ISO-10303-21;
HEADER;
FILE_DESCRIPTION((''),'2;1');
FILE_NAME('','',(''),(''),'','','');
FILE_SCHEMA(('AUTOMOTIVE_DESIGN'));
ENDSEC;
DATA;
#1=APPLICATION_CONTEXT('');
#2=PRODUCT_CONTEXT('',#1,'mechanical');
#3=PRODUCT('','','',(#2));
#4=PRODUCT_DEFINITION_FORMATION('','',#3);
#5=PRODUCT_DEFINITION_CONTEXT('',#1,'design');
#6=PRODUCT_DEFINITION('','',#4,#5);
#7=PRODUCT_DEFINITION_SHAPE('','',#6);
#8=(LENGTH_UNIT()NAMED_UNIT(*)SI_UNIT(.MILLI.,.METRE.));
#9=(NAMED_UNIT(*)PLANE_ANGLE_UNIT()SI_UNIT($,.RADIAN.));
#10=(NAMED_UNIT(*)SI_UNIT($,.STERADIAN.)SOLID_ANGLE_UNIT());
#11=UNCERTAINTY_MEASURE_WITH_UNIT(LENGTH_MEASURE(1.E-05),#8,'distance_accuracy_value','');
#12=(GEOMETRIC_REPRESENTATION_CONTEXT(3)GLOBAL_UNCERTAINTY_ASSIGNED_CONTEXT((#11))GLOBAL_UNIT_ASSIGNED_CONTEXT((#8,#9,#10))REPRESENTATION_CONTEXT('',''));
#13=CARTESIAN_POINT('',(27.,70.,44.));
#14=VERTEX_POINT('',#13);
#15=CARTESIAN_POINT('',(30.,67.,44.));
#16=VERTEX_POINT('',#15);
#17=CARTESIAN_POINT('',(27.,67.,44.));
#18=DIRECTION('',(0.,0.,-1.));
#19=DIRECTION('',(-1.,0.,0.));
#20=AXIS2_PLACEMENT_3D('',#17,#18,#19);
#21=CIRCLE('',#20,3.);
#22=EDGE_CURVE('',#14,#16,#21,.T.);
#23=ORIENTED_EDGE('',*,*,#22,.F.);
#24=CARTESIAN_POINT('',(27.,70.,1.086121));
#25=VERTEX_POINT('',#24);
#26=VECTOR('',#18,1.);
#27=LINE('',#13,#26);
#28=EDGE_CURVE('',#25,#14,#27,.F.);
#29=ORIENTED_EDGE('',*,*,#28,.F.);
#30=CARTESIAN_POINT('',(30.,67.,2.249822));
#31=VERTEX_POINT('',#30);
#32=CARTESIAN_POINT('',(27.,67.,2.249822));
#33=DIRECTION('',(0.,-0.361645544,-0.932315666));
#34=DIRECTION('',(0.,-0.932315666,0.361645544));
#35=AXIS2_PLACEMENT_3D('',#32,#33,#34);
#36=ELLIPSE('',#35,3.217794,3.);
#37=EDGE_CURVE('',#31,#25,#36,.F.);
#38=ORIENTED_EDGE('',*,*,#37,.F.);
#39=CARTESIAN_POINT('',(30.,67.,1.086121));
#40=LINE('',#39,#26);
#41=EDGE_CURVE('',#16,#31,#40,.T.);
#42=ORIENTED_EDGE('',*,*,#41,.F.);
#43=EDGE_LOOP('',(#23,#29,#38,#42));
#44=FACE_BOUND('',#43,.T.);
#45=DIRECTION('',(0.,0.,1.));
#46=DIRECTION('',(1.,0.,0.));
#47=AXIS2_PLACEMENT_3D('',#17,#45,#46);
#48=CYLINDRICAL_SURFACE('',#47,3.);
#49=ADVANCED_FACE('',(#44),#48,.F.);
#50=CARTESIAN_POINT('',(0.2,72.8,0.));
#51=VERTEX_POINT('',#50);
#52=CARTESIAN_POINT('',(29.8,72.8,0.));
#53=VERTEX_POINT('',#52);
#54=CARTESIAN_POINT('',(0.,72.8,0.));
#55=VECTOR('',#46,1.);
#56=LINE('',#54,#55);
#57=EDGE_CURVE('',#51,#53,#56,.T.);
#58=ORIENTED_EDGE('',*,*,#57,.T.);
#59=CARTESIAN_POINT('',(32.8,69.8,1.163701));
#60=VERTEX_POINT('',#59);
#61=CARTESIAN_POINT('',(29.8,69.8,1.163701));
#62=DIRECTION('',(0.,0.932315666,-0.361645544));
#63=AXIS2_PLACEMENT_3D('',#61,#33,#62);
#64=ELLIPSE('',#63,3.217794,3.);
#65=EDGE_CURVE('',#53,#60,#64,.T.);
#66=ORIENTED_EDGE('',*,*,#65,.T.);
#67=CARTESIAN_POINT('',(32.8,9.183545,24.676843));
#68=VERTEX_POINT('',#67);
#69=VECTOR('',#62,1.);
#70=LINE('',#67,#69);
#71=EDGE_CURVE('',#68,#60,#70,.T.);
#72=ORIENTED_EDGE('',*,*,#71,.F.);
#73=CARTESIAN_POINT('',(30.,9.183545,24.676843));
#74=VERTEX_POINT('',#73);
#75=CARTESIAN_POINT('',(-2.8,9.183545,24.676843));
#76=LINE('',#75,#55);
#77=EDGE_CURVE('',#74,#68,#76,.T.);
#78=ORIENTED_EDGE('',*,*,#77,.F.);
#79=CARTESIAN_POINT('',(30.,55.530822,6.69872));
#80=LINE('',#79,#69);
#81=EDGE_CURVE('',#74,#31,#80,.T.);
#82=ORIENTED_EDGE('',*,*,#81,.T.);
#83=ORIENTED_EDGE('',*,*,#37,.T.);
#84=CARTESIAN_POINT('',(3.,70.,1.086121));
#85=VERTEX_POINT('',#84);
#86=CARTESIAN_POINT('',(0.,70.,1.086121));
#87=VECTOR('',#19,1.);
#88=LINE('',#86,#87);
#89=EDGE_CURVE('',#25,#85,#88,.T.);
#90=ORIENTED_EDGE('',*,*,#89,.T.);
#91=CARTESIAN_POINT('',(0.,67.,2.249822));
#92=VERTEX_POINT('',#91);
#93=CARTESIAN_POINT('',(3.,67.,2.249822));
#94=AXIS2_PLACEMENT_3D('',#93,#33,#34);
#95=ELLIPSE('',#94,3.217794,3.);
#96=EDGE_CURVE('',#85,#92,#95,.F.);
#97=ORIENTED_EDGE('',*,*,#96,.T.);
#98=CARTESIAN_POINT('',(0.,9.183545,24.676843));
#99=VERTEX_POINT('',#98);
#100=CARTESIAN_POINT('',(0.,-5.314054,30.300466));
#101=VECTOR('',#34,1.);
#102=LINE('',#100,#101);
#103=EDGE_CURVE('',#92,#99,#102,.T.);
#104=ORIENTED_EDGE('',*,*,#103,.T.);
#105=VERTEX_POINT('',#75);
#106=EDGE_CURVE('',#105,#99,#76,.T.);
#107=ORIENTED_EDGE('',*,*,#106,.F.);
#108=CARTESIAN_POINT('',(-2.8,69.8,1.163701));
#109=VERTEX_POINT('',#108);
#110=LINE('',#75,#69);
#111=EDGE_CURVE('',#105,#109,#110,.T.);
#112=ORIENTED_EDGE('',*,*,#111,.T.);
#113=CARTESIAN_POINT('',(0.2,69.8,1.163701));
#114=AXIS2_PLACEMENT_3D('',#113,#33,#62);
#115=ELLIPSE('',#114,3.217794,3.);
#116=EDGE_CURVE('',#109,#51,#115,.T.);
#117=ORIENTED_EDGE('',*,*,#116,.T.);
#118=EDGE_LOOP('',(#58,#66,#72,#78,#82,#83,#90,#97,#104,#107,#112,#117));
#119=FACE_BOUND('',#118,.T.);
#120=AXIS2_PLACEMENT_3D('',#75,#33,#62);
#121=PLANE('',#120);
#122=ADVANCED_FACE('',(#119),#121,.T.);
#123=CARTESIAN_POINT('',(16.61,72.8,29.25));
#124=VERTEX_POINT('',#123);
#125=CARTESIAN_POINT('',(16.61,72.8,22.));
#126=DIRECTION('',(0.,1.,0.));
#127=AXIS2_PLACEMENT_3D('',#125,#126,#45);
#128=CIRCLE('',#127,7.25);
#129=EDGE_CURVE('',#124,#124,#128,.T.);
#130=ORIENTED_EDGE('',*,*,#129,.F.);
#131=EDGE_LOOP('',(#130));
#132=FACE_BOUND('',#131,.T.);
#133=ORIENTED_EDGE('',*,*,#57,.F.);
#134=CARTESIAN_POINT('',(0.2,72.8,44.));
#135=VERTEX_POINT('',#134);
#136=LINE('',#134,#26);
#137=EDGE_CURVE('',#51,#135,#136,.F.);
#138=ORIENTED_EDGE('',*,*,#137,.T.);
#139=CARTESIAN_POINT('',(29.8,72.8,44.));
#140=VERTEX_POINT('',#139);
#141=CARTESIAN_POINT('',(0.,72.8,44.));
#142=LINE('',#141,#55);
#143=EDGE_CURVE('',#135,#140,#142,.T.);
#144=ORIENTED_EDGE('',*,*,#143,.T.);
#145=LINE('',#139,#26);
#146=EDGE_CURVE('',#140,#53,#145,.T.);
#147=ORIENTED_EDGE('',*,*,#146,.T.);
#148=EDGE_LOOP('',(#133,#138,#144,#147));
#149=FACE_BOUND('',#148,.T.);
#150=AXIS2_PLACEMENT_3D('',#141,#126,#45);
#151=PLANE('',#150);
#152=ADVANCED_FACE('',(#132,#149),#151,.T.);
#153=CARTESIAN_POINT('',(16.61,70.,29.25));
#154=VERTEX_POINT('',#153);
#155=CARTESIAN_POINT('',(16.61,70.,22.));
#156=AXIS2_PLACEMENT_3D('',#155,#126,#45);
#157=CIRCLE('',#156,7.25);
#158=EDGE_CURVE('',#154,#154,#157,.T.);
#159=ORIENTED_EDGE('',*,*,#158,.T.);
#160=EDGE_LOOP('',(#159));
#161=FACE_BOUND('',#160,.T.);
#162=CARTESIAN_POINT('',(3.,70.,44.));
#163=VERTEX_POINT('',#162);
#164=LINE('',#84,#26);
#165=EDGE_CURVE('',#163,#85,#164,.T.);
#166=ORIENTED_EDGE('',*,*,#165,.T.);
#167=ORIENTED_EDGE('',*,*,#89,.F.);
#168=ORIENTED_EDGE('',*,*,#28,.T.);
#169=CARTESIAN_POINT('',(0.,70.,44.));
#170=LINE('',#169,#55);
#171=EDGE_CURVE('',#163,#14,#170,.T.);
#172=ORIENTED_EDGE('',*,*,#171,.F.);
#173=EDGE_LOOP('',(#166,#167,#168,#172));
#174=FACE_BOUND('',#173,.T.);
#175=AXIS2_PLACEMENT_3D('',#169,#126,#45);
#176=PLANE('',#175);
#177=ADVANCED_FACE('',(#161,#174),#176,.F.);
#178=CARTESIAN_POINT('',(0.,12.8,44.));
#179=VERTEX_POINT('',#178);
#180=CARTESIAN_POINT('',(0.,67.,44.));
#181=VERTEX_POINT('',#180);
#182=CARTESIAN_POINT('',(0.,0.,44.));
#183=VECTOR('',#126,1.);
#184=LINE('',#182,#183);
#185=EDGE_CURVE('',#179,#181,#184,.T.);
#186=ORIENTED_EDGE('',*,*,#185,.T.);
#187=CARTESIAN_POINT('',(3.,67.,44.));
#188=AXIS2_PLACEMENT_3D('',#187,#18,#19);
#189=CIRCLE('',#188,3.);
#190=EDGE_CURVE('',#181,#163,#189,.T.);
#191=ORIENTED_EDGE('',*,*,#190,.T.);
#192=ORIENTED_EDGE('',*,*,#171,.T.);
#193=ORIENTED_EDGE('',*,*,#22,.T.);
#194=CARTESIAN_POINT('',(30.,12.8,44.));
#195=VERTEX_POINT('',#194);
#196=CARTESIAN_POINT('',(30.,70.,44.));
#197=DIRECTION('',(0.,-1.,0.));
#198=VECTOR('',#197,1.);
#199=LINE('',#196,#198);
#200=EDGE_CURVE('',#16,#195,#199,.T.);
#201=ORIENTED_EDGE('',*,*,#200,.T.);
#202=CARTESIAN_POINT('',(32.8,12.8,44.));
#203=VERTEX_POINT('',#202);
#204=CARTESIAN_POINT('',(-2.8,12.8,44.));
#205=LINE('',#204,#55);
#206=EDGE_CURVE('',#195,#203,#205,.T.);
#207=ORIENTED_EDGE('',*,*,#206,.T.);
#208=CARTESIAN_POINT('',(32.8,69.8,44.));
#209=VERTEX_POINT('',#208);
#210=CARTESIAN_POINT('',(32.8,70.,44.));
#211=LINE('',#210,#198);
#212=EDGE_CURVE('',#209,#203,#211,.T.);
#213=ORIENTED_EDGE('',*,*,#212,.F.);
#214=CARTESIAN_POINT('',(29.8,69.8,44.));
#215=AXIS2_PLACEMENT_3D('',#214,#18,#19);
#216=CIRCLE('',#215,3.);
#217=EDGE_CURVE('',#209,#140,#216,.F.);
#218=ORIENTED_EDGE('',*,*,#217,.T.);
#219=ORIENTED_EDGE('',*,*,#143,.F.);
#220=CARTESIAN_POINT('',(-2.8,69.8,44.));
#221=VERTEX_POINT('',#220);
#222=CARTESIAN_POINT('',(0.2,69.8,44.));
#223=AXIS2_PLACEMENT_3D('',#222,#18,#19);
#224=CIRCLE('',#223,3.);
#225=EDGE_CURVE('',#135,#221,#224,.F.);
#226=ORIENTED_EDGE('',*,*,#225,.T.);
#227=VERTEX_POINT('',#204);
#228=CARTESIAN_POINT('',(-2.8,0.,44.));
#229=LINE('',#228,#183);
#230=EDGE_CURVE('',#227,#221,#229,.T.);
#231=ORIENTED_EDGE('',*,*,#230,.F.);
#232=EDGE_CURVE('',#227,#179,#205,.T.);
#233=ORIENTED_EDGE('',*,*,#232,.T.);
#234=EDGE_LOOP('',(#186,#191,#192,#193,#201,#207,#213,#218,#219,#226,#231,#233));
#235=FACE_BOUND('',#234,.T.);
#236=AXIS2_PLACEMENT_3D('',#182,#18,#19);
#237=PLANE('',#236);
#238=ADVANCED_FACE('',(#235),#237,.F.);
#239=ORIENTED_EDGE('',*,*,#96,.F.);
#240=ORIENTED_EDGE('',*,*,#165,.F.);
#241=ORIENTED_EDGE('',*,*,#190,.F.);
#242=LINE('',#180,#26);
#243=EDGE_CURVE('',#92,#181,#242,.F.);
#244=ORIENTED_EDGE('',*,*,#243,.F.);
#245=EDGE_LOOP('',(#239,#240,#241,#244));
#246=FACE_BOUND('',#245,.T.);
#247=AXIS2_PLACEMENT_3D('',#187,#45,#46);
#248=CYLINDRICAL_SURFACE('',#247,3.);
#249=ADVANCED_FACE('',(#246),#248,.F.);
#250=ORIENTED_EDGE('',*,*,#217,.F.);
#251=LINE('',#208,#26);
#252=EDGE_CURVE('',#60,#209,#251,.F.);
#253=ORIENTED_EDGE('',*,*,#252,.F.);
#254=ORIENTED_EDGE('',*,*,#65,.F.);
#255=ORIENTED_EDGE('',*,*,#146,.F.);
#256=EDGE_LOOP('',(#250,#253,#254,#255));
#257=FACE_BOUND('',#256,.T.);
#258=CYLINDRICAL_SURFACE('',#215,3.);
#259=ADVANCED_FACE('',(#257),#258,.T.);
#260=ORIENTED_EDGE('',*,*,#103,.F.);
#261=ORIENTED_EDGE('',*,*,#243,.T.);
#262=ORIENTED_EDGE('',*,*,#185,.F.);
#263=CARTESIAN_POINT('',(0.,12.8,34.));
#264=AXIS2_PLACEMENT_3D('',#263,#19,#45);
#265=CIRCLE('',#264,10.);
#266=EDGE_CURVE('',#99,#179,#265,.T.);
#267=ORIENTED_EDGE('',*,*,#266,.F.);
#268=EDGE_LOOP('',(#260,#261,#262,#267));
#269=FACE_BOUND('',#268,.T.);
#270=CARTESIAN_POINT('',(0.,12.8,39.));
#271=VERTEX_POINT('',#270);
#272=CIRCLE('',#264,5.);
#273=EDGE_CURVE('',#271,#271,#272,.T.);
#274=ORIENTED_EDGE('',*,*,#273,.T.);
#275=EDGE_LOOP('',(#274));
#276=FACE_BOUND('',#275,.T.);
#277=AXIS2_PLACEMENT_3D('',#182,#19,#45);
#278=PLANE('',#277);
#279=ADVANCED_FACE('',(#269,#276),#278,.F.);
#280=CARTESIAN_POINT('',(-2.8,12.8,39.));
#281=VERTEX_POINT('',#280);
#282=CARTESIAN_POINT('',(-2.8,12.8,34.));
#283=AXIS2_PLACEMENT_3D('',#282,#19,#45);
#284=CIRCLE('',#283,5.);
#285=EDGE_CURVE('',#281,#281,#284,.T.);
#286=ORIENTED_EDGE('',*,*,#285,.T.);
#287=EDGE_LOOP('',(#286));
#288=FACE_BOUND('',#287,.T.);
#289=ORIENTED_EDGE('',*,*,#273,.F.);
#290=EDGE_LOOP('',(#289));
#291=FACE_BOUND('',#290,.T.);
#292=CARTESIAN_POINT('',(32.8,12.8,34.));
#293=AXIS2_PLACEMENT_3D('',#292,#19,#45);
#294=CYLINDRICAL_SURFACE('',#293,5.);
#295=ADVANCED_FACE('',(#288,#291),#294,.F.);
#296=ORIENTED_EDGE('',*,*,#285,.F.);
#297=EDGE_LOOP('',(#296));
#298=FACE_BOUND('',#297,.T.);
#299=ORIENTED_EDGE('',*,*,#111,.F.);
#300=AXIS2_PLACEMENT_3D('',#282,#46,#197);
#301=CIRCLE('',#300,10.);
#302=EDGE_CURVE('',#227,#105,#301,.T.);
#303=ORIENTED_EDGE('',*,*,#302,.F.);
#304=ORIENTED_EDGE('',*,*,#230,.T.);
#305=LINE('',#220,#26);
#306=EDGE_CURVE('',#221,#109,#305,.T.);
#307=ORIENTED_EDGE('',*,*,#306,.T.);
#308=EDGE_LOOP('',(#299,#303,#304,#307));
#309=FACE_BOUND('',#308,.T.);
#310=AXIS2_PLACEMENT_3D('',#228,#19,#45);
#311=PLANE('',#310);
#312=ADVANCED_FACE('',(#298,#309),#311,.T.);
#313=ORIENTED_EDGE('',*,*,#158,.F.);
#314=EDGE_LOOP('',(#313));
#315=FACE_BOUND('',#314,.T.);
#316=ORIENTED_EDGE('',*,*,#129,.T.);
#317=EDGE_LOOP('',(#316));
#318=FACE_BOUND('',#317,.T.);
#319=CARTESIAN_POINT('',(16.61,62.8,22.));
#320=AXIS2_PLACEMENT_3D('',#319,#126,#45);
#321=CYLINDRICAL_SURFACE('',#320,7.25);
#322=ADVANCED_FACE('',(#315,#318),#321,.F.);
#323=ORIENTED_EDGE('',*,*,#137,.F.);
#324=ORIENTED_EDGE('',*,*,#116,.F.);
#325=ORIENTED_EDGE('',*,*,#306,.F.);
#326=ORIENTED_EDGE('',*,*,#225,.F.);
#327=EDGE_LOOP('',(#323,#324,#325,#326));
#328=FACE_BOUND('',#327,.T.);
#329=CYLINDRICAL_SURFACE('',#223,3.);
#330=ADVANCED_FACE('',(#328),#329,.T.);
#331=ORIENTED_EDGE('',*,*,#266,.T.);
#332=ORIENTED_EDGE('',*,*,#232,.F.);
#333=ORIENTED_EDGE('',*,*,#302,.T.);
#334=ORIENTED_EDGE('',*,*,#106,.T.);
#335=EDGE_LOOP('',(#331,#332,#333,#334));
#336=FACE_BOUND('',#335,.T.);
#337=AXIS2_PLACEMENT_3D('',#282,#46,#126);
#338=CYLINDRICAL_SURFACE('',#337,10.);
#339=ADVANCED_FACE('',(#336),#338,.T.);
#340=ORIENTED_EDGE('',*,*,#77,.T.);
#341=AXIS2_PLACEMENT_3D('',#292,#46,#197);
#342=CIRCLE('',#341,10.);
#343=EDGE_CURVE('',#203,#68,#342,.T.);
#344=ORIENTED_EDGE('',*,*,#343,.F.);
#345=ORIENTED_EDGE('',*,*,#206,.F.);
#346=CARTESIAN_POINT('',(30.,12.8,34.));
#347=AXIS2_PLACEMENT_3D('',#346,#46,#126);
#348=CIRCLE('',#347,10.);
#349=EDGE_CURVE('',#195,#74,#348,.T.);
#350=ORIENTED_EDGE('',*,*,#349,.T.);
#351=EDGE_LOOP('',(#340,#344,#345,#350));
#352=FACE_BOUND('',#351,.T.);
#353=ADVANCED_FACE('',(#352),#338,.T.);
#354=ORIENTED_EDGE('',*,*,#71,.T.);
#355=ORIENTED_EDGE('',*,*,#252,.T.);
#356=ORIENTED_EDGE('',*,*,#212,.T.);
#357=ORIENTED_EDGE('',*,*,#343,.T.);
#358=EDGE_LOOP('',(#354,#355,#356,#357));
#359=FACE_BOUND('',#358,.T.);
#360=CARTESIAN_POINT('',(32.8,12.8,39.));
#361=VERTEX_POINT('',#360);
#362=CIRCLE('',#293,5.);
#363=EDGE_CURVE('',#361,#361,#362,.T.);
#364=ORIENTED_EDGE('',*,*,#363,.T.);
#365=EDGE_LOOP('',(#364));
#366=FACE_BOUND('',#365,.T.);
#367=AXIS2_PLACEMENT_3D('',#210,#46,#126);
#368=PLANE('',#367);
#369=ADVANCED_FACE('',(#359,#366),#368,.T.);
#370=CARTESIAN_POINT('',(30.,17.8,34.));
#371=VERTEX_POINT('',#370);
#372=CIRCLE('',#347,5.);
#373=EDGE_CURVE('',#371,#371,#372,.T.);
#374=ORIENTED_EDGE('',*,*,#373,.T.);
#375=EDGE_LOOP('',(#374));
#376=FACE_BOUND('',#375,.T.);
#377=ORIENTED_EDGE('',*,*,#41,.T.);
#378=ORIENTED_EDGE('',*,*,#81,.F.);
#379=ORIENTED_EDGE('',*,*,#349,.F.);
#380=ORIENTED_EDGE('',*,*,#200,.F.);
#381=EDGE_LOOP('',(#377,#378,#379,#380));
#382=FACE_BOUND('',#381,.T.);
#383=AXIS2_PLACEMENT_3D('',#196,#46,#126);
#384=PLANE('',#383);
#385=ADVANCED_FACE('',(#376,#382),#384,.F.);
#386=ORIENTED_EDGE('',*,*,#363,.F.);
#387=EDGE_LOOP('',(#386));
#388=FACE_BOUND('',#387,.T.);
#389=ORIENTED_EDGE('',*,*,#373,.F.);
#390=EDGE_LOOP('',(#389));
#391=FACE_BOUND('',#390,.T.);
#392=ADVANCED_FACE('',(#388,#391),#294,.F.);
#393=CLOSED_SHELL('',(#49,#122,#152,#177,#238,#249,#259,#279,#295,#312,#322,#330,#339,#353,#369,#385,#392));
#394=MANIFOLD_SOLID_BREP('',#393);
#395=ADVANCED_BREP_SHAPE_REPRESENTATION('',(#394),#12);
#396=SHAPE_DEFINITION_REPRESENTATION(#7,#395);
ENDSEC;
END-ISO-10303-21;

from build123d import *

# Parameters (mm, degrees)
EXTRUDE_THIN1_DEPTH = 44
SKETCH3_OUTSIDE_W   = 64.442
SKETCH3_OUTSIDE_H   = 93.242
CUT_EXTRUDE1_DEPTH  = 93.212797377
SKETCH4_R           = 5
CUT_EXTRUDE2_DEPTH  = 93.212797377
SKETCH5_R           = 7.25
CUT_EXTRUDE3_DEPTH  = 10
FILLET3_R           = 3


with BuildPart() as part:
    # Sketch1 → Extrude-Thin1 (new body)
    with BuildSketch(Plane.XY):
        Polygon((0, 0), (0, 70), (30, 70), (30, 0), (32.8, 0), (32.8, 72.8), (-2.8, 72.8), (-2.8, 0), align=None)
    extrude(amount=EXTRUDE_THIN1_DEPTH)

    # Sketch3 outside → Cut-Extrude1 (cut, through all)
    with BuildSketch(Plane(origin=(32.8, 0, 0), x_dir=(0, 0, -1), z_dir=(1, 0, 0))):
        with Locations((-22, 36.4)):
            Rectangle(SKETCH3_OUTSIDE_W, SKETCH3_OUTSIDE_H)
        with BuildLine():
            Line((-44, 12.8), (-44, 72.8))
            Line((-44, 72.8), (0, 72.8))
            Line((0, 72.8), (-24.676843343, 9.183544561))
            ThreePointArc((-24.676843343, 9.183544561), (-35.839624069, 2.9706672), (-44, 12.8))
        make_face(mode=Mode.SUBTRACT)
    extrude(amount=-CUT_EXTRUDE1_DEPTH, mode=Mode.SUBTRACT)

    # Sketch4 → Cut-Extrude2 (cut, through all)
    with BuildSketch(Plane.ZY.offset(2.8)):
        with Locations((34, 12.8)):
            Circle(SKETCH4_R)
    extrude(amount=-CUT_EXTRUDE2_DEPTH, mode=Mode.SUBTRACT)

    # Sketch5 → Cut-Extrude3 (cut)
    with BuildSketch(Plane(origin=(0, 72.8, 0), x_dir=(1, 0, 0), z_dir=(0, 1, 0))):
        with Locations(Location((16.61, -22, 0), (0, 0, 270))):
            Circle(SKETCH5_R)
    extrude(amount=-CUT_EXTRUDE3_DEPTH, mode=Mode.SUBTRACT)

    # Fillet3
    fillet3_edges = [part.edges().sort_by_distance(p)[0] for p in [
        (30, 70, 22.543060446),
        (0, 70, 22.543060446),
        (-2.8, 72.8, 22),
        (32.8, 72.8, 22),
    ]]
    fillet(fillet3_edges, radius=FILLET3_R)


solid = part.part
